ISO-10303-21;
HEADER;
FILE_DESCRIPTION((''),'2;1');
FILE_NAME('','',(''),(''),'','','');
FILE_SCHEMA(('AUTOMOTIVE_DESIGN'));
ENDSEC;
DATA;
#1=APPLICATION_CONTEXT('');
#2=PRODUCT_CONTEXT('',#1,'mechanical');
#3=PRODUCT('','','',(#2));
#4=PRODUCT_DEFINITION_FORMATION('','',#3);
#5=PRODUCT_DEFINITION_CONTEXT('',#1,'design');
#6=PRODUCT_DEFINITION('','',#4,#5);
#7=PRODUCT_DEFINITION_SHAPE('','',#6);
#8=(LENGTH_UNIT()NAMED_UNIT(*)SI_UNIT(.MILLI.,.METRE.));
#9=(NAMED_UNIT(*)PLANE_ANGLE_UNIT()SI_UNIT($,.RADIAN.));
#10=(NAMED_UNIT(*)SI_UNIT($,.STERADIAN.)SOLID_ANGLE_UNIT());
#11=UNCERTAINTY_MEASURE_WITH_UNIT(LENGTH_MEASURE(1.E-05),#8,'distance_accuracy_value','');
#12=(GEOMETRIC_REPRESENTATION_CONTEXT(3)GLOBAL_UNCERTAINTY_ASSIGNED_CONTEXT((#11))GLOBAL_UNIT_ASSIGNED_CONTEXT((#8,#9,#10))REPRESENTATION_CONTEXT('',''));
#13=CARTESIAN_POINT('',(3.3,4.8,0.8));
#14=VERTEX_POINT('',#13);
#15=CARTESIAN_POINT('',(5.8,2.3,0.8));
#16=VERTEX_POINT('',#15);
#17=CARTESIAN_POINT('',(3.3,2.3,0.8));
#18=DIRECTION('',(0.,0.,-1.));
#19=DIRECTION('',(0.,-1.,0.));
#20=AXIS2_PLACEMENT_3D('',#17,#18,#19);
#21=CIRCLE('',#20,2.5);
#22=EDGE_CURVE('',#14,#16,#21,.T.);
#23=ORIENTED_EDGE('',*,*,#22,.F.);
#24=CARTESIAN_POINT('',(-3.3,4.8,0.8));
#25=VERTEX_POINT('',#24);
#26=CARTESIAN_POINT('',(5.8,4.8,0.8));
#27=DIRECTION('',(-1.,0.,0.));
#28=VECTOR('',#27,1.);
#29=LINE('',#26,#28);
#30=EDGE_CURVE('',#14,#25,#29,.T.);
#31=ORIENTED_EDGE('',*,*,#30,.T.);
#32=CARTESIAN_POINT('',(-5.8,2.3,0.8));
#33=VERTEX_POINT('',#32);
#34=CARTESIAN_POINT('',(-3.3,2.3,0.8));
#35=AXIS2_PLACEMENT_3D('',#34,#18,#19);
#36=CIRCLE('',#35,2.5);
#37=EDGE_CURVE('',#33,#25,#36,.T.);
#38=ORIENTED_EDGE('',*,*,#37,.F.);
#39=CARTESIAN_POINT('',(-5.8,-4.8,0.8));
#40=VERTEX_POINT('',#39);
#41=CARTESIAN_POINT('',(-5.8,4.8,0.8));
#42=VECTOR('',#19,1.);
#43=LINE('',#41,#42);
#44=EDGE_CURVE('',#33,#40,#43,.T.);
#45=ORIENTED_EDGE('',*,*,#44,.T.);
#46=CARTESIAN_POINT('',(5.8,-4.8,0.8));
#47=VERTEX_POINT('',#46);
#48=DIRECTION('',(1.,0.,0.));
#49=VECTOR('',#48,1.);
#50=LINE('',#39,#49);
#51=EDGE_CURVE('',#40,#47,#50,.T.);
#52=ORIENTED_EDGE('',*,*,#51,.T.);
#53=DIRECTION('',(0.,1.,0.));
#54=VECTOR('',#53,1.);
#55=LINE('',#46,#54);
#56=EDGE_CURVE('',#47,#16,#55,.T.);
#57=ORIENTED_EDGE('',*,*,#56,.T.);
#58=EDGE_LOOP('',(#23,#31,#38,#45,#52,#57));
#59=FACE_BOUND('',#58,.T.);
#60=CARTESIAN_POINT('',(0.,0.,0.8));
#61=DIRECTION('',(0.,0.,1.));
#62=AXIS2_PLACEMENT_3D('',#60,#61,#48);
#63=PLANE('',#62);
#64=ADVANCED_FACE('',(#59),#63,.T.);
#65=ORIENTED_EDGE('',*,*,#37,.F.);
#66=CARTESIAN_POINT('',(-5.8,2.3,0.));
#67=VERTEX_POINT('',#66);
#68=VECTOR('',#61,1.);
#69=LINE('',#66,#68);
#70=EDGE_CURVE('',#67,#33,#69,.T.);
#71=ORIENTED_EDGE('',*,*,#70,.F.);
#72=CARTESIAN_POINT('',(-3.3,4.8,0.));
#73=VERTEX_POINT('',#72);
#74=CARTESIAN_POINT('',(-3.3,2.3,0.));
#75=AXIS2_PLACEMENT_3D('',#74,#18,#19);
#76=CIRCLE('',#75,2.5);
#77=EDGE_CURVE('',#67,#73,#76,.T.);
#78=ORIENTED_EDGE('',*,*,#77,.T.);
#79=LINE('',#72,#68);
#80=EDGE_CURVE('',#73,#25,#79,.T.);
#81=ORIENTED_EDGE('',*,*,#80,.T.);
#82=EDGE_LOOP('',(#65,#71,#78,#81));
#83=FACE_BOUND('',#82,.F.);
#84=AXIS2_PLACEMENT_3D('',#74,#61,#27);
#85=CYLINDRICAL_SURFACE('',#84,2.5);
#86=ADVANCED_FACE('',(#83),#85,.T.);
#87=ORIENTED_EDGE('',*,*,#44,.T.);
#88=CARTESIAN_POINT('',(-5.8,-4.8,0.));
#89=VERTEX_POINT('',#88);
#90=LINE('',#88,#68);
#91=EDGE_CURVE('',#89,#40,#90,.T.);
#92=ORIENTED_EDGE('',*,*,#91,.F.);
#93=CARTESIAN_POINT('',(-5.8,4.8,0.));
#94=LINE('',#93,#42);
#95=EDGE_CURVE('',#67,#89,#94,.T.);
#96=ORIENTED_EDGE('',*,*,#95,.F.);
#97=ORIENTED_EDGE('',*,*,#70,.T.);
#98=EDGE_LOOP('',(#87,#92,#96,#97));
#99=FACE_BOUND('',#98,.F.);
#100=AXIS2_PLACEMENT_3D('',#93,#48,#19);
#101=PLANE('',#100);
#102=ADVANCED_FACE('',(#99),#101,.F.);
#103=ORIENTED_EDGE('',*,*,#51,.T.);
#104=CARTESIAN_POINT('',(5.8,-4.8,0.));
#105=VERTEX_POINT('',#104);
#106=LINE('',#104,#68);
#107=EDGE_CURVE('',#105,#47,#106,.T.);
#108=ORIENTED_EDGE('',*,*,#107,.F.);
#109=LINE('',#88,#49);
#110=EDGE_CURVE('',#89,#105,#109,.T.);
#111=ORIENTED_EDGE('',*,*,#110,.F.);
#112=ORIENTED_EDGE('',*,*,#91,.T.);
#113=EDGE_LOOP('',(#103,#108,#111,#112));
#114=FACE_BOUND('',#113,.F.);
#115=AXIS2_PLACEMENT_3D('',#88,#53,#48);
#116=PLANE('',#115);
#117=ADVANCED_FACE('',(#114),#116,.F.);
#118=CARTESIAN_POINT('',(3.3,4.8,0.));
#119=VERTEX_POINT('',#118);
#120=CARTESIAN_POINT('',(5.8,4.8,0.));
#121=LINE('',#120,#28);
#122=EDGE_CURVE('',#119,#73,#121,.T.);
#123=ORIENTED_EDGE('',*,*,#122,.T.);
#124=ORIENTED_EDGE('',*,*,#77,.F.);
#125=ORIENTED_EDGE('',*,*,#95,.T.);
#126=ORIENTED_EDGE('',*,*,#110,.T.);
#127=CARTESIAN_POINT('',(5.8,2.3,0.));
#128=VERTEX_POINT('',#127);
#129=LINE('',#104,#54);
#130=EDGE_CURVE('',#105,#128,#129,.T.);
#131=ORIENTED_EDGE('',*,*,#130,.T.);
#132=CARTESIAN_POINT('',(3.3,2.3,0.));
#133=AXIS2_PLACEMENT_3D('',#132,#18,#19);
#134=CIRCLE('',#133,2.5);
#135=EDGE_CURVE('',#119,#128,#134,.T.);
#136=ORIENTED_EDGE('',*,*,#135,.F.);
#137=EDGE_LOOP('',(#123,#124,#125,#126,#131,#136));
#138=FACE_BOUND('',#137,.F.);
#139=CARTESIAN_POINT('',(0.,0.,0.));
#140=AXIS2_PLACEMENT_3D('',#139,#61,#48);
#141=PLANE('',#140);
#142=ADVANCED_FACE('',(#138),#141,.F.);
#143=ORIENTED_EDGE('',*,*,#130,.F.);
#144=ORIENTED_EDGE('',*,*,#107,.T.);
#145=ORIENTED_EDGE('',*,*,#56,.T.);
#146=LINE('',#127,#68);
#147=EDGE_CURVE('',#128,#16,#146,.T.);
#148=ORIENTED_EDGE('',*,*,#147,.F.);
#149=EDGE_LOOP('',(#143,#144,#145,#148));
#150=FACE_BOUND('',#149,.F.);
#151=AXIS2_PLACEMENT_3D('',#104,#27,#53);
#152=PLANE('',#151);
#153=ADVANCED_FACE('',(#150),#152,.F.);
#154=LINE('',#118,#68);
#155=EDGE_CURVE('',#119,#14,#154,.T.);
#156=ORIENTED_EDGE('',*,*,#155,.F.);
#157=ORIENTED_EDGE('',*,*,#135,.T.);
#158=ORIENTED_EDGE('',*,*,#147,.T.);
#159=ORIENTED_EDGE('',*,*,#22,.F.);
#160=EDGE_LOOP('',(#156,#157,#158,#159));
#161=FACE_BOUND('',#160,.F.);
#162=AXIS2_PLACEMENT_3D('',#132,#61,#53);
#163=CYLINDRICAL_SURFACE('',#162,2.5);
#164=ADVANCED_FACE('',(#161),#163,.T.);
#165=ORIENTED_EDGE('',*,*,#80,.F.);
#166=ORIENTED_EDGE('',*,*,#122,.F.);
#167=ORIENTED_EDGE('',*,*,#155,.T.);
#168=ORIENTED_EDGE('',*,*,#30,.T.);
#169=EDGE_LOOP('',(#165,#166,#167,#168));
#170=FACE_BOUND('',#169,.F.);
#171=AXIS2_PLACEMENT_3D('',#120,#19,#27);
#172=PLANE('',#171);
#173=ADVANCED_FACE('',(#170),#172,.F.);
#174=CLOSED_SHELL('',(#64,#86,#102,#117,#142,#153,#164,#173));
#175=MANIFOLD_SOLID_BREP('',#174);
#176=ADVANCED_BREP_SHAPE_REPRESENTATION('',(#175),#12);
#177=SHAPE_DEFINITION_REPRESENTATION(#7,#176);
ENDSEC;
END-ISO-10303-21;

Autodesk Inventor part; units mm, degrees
ref_plane "YZ Plane" through (0, 0, 0) normal (1, 0, 0) x (0, 1, 0)
ref_plane "XZ Plane" through (0, 0, 0) normal (0, 1, 0) x (-1, 0, 0)
ref_plane "XY Plane" through (0, 0, 0) normal (0, 0, 1) x (1, 0, 0)
sketch "Esquisse1" plane through (0, 0, 0) normal (0, 0, 1) x (1, 0, 0)
  line L0 (-5.8, -4.8) -> (5.8, -4.8)
  line L1 (5.8, -4.8) -> (5.8, 4.8)
  line L2 (5.8, 4.8) -> (-5.8, 4.8)
  line L3 (-5.8, 4.8) -> (-5.8, -4.8)
  point P0 (0, 0)
  dimension "d0" = 11.6
  dimension "d1" = 9.6
  dimension "d2" = 4.8
  dimension "d3" = 5.8
extrude "Extrusion1" add sketch "Esquisse1" along normal blind 0.8
fillet "Congé1" radius 2.5 2 edges at (-5.8, 4.8, 0.4) (5.8, 4.8, 0.4)
equation "\"d2\" = 0.5 * d1"
equation "\"d3\" = 0.5 * d0"
properties part number "Platine encodeur" material "Verre"
